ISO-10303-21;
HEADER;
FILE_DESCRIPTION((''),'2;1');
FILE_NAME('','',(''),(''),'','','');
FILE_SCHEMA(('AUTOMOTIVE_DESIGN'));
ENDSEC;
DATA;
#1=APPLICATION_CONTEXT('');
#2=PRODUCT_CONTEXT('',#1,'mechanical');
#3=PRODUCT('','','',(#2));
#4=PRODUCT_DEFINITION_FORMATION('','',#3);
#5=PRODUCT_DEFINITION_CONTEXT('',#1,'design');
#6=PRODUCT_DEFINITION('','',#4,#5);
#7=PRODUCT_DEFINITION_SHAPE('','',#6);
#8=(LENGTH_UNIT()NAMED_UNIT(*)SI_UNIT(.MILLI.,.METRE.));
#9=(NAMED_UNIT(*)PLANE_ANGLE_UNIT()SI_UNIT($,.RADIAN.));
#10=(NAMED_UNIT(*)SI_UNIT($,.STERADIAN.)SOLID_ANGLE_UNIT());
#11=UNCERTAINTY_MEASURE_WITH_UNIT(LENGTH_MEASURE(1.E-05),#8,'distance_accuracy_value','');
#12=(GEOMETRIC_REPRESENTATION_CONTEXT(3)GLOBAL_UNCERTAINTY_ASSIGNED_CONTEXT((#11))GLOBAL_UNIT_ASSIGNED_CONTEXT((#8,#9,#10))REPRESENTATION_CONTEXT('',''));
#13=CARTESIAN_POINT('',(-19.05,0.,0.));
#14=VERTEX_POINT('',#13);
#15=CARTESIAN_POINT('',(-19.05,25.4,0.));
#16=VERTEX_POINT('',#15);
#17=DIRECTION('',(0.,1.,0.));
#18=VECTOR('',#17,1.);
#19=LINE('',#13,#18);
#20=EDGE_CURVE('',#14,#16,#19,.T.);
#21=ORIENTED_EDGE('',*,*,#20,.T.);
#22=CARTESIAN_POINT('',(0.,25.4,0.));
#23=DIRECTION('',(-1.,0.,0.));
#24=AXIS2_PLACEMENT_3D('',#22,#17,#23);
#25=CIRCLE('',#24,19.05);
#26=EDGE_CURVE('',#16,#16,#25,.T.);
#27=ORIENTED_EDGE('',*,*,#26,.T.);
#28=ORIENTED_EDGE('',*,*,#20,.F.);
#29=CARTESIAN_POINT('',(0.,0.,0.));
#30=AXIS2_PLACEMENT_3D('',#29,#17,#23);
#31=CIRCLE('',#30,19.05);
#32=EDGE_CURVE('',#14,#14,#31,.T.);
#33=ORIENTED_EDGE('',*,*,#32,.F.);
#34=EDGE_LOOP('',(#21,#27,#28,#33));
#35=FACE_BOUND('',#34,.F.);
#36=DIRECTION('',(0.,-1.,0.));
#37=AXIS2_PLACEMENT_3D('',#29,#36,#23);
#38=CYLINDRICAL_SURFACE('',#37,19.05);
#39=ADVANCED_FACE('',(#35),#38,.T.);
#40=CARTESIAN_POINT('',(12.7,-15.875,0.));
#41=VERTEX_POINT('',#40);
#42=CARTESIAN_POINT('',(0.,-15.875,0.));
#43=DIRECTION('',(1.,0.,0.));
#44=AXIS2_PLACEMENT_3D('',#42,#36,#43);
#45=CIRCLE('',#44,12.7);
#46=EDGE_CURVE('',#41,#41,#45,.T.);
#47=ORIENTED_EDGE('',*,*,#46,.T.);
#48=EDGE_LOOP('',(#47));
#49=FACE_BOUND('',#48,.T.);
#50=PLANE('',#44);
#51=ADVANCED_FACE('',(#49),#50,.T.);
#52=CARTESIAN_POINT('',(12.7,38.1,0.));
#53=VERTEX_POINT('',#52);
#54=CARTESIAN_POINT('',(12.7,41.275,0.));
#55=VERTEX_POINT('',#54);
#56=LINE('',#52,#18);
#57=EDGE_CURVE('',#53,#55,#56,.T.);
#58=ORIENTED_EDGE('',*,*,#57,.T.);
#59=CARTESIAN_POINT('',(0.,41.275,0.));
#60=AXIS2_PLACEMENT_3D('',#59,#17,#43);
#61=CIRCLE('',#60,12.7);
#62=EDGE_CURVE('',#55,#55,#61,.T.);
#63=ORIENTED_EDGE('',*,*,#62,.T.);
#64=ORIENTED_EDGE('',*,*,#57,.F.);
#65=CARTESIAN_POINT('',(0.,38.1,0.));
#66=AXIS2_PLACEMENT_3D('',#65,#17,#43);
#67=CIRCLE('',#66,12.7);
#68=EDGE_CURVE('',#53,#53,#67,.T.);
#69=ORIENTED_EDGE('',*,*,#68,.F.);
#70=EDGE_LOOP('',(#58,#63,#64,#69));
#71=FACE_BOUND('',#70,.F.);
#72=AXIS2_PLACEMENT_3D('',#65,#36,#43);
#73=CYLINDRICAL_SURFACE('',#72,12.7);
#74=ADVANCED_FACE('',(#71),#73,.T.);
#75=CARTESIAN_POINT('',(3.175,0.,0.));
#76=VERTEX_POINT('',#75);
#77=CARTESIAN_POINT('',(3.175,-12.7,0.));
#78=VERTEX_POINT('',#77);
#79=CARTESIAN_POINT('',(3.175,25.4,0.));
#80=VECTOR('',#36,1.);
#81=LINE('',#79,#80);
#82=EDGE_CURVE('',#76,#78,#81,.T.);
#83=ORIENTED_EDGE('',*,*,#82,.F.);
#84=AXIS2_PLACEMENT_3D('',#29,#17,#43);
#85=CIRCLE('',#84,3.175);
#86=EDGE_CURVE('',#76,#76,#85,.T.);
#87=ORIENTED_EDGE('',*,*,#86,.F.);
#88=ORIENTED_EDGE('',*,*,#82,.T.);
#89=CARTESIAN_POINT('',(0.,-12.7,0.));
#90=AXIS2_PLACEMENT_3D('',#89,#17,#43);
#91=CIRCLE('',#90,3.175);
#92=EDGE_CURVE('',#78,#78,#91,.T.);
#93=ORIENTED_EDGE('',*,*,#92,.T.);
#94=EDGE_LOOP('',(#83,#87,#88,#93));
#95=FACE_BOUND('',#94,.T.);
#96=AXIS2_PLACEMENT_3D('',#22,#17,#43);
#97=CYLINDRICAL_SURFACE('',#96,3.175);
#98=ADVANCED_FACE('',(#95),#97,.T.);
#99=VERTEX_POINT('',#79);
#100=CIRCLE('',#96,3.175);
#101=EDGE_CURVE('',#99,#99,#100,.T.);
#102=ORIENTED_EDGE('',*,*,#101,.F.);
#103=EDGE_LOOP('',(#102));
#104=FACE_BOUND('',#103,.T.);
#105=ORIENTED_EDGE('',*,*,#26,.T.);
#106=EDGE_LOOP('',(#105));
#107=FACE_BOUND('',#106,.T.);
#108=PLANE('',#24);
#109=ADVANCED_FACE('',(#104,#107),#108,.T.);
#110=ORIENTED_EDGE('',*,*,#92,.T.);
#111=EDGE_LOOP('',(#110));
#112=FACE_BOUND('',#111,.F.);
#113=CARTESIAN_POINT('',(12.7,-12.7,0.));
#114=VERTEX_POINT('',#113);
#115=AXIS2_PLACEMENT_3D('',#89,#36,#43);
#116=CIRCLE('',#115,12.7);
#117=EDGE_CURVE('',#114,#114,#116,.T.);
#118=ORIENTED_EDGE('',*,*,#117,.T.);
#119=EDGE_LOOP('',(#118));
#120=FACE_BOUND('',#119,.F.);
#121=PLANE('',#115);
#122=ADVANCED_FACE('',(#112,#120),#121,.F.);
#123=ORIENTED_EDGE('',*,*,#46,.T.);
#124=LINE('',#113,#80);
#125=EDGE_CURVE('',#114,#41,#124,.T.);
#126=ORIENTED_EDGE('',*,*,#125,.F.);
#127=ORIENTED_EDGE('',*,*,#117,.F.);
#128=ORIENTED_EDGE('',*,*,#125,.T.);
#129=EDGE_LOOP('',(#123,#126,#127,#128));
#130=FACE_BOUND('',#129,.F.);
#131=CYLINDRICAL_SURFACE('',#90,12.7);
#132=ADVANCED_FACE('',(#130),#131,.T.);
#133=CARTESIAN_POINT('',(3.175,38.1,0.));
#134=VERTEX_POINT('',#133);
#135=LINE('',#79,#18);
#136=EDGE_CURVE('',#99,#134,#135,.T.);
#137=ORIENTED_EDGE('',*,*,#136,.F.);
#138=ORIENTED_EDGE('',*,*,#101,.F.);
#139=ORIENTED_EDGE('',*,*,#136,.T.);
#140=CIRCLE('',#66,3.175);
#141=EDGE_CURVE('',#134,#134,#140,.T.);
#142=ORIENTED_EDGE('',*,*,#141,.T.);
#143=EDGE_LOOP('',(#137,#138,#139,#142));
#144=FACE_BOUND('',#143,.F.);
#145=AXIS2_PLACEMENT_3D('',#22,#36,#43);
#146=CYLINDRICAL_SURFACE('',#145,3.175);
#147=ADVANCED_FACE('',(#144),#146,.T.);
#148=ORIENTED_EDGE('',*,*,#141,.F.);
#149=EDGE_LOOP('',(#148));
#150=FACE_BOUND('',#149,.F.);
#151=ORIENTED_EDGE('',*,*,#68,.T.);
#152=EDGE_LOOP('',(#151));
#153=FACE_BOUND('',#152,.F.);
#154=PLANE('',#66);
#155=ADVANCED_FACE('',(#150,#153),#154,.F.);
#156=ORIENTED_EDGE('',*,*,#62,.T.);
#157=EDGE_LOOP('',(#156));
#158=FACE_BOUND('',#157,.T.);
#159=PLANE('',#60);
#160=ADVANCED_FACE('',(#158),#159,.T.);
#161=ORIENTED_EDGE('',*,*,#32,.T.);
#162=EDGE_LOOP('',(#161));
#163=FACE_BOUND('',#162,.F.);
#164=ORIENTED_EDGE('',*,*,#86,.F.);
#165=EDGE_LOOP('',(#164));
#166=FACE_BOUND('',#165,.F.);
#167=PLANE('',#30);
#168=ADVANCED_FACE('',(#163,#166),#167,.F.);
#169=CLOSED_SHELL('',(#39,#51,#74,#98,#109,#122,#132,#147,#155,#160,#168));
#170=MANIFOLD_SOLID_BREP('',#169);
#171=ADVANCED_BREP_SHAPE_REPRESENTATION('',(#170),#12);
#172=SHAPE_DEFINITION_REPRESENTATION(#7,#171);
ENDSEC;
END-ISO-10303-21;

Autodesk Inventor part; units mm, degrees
ref_plane "YZ Plane" through (0, 0, 0) normal (1, 0, 0) x (0, 1, 0)
ref_plane "XZ Plane" through (0, 0, 0) normal (0, 1, 0) x (-1, 0, 0)
ref_plane "XY Plane" through (0, 0, 0) normal (0, 0, 1) x (1, 0, 0)
sketch "Sketch1" plane through (0, 0, 0) normal (0, 1, 0) x (-1, 0, 0)
  circle A0 centre (0, 0) radius 19.05
  dimension "d0" = 38.1
extrude "Extrusion1" add sketch "Sketch1" along normal blind 25.4
sketch "Sketch2" plane through (0, 25.4, 0) normal (0, 1, 0) x (1, 0, 0)
  circle A0 centre (0, 0) radius 3.175
  dimension "d3" = 6.35
extrude "Extrusion2" add sketch "Sketch2" along normal blind 12.7
extrude "Extrusion3" add sketch "Sketch2" against normal blind 38.1
sketch "Sketch3" plane through (0, 38.1, 0) normal (0, 1, 0) x (1, 0, 0)
  circle A0 centre (0, 0) radius 12.7
  dimension "d8" = 25.4
extrude "Extrusion4" add sketch "Sketch3" along normal blind 3.175
sketch "Sketch4" plane through (0, -12.7, 0) normal (0, -1, 0) x (1, 0, 0)
  circle A0 centre (0, 0) radius 12.7
  dimension "d11" = 25.4
extrude "Extrusion5" add sketch "Sketch4" along normal blind 3.175
properties part number "Gear Wheel"
